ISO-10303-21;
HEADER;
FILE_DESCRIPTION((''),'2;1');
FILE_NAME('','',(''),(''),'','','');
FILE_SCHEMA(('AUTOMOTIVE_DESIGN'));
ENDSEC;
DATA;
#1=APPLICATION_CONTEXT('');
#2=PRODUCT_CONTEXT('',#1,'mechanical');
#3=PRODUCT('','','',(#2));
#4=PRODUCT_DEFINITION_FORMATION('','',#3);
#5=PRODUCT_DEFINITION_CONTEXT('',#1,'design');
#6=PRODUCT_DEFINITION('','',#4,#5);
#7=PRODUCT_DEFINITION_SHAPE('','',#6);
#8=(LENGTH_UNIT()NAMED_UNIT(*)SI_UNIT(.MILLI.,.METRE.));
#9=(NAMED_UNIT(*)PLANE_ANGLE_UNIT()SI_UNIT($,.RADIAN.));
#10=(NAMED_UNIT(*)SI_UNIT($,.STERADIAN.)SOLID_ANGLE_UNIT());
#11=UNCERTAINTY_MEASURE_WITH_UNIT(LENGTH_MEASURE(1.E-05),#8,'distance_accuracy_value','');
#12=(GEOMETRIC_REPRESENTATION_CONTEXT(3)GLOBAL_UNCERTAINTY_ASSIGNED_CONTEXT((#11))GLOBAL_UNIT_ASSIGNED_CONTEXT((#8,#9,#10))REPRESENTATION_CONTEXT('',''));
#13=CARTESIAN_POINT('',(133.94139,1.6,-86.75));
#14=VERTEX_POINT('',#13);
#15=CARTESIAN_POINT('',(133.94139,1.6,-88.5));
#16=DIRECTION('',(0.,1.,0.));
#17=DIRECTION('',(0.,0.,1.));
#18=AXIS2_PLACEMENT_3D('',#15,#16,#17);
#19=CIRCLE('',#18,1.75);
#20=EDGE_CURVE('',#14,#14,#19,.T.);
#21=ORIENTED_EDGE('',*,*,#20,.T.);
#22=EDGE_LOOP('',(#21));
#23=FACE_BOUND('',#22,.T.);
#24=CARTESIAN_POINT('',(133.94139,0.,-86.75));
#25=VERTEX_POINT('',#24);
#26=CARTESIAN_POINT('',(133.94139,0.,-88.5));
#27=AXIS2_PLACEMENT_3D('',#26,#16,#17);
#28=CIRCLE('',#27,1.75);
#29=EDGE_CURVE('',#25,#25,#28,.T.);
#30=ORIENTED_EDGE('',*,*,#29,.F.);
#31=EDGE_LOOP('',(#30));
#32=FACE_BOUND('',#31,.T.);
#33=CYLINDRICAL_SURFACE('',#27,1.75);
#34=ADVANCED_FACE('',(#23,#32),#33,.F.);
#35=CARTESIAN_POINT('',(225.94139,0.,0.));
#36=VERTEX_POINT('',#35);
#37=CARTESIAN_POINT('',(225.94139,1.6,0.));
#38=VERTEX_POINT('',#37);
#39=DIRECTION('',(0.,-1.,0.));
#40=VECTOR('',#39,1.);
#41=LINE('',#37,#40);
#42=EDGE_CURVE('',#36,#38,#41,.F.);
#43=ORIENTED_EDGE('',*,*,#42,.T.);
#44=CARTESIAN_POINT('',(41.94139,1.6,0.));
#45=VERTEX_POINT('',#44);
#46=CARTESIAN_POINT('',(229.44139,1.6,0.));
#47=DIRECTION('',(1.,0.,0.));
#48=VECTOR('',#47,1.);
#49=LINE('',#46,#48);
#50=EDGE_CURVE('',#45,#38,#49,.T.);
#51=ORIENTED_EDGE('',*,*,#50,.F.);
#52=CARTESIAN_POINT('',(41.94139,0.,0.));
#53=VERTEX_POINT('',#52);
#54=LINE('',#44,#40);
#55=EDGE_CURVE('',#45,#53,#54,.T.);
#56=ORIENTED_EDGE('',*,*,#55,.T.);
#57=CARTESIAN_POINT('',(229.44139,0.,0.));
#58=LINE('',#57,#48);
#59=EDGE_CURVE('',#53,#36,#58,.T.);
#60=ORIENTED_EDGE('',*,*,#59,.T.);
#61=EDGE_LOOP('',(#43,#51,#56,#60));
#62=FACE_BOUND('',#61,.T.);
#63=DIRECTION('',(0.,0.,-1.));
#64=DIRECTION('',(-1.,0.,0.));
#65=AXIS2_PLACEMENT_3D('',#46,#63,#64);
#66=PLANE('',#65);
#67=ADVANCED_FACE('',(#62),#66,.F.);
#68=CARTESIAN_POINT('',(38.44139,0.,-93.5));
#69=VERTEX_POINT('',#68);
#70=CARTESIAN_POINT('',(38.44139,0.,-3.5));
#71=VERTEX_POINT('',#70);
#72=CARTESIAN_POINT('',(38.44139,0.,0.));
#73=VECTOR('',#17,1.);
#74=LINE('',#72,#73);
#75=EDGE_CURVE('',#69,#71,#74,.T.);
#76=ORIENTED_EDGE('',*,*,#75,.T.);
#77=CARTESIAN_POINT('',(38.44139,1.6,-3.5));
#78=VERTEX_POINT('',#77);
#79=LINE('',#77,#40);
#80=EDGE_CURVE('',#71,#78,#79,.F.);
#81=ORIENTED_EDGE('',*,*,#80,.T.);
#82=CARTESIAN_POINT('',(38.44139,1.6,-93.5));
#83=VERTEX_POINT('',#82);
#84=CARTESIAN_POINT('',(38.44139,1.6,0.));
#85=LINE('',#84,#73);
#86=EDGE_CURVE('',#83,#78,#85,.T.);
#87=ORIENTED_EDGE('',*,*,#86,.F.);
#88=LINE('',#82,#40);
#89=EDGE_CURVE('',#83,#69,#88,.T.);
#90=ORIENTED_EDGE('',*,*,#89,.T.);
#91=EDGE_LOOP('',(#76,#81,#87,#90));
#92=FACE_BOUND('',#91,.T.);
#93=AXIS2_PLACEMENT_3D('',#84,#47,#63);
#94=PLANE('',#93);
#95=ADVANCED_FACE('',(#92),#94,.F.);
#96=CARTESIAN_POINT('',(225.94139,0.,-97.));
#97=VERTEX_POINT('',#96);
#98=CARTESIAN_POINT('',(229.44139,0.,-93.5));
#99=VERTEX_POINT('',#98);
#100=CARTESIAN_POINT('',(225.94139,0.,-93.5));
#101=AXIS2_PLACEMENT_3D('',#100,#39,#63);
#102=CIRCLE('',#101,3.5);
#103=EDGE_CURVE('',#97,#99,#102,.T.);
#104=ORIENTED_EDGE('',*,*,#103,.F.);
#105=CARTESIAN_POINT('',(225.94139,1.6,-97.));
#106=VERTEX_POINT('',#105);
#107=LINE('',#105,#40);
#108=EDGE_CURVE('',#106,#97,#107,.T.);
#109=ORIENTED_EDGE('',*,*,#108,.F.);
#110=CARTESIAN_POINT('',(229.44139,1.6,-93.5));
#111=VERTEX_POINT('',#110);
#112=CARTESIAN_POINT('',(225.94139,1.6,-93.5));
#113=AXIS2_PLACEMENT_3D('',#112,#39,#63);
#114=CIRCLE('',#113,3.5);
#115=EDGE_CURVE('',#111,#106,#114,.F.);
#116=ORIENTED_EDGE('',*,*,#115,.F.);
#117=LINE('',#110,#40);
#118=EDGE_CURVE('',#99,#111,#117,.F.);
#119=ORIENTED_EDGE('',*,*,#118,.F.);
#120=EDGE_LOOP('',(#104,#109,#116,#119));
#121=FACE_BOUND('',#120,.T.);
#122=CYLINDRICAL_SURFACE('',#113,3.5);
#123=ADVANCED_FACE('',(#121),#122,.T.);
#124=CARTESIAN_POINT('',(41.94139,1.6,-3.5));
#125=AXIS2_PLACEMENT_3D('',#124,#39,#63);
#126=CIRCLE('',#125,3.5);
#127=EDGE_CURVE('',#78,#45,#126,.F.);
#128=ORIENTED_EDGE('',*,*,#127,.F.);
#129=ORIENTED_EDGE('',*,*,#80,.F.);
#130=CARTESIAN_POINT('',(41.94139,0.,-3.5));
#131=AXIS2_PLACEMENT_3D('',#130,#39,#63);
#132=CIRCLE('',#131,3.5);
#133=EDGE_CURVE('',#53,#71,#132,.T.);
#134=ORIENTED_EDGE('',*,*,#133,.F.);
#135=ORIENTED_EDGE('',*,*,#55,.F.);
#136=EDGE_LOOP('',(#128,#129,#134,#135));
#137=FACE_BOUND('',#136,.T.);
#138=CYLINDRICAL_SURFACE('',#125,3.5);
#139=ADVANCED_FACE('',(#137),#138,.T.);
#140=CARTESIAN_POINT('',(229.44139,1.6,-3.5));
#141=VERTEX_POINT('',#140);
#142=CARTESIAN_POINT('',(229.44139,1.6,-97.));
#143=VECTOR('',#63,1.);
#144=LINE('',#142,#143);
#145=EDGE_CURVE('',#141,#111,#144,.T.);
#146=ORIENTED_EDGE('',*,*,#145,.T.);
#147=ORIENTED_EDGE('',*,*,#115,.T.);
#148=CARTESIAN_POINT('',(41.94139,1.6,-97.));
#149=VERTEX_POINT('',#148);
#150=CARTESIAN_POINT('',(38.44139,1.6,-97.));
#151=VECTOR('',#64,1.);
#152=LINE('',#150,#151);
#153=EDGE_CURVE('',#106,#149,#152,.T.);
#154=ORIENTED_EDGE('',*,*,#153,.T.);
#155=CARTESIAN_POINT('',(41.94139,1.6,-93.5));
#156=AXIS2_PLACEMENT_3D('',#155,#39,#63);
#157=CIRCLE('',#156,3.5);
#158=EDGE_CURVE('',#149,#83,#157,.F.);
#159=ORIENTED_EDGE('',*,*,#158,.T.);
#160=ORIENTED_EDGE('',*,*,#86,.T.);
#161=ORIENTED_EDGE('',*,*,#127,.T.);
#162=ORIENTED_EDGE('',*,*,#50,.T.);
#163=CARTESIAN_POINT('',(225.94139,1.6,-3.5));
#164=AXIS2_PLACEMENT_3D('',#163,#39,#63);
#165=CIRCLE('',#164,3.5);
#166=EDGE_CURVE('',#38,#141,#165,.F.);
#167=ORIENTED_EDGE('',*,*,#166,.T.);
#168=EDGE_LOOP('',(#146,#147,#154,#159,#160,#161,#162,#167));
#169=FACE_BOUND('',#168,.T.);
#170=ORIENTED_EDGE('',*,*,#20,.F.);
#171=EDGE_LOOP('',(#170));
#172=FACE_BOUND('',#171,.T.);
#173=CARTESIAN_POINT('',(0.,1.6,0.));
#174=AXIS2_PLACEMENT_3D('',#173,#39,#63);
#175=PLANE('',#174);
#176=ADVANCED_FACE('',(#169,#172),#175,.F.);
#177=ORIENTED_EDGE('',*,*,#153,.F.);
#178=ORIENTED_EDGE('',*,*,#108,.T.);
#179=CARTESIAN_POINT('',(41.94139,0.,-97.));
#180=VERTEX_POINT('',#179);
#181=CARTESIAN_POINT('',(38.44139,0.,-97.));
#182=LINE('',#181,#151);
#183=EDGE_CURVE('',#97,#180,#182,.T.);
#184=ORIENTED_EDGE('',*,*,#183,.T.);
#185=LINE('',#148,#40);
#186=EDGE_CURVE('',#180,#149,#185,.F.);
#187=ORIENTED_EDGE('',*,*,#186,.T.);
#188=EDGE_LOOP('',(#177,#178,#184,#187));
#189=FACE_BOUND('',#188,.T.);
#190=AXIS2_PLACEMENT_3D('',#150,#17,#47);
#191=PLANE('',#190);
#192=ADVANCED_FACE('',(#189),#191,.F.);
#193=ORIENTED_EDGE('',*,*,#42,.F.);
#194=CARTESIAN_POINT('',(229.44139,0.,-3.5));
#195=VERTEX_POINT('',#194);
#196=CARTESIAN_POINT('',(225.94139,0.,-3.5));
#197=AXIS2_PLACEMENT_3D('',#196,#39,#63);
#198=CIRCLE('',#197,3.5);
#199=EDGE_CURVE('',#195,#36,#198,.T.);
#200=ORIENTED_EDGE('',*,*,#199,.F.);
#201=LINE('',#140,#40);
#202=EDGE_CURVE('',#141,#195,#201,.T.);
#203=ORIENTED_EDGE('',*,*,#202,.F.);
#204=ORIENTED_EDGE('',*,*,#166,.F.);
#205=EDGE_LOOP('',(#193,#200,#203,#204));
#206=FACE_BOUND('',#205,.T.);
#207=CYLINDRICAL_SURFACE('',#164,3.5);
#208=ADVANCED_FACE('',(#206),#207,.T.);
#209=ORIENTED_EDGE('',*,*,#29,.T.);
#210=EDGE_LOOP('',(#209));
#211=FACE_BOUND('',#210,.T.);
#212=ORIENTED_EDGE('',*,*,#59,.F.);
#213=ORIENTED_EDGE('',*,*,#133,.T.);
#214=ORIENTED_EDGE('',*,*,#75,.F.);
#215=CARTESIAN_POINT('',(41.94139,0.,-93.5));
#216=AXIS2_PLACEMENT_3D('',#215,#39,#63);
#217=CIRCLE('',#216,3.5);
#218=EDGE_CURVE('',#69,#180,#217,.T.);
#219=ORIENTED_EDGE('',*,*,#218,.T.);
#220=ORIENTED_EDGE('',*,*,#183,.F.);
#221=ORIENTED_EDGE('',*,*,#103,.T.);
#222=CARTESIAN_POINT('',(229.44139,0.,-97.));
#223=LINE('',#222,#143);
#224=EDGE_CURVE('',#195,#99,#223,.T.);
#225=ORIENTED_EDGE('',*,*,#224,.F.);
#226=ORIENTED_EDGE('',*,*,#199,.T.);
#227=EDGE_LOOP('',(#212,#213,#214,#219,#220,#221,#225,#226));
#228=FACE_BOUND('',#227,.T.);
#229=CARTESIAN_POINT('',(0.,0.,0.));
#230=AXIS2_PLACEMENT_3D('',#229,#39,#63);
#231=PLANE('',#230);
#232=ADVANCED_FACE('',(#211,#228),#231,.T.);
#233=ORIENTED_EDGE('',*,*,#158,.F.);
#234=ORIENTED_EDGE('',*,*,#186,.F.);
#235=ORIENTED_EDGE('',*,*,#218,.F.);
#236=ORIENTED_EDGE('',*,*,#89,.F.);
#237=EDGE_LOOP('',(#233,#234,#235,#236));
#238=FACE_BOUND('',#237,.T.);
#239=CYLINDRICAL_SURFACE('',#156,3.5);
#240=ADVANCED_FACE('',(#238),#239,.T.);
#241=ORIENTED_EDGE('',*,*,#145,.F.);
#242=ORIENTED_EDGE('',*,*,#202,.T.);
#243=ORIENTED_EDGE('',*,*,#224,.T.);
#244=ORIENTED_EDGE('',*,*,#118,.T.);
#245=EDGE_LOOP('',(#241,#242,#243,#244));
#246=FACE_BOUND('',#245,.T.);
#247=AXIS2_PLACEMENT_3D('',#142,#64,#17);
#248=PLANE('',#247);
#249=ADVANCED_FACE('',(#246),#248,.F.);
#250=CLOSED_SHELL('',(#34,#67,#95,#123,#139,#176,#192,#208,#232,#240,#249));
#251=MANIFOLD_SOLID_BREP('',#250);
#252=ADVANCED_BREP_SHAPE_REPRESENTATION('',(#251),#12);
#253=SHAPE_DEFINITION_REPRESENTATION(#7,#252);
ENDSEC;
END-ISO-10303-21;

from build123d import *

# Parameters (mm, degrees)
SKETCH_1_W          = 191
SKETCH_1_H          = 97
EXTRUDE_2_DEPTH     = 1.6
FILLET_1_R          = 3.5
SKETCH_3_R          = 1.75
CUT_EXTRUDE_1_DEPTH = 250.108231932


with BuildPart() as part:
    # 草图1 → 凸台-拉伸2 (new body)
    with BuildSketch(Plane(origin=(0, 0, 0), x_dir=(1, 0, 0), z_dir=(0, 1, 0))):
        with Locations((133.941389502, 48.5)):
            Rectangle(SKETCH_1_W, SKETCH_1_H)
    extrude(amount=EXTRUDE_2_DEPTH)

    # 圆角1
    fillet_1_edges = [part.edges().sort_by_distance(p)[0] for p in [
        (38.441389502, 0.8, 0),
        (38.441389502, 0.8, -97),
        (229.441389502, 0.8, -97),
        (229.441389502, 0.8, 0),
    ]]
    fillet(fillet_1_edges, radius=FILLET_1_R)

    # 草图3 → 切除-拉伸1 (cut, through all)
    with BuildSketch(Plane(origin=(0, 1.6, 0), x_dir=(1, 0, 0), z_dir=(0, 1, 0))):
        with Locations(Location((133.941389502, 88.5, 0), (0, 0, 270))):
            Circle(SKETCH_3_R)
    extrude(amount=-CUT_EXTRUDE_1_DEPTH, mode=Mode.SUBTRACT)


solid = part.part
